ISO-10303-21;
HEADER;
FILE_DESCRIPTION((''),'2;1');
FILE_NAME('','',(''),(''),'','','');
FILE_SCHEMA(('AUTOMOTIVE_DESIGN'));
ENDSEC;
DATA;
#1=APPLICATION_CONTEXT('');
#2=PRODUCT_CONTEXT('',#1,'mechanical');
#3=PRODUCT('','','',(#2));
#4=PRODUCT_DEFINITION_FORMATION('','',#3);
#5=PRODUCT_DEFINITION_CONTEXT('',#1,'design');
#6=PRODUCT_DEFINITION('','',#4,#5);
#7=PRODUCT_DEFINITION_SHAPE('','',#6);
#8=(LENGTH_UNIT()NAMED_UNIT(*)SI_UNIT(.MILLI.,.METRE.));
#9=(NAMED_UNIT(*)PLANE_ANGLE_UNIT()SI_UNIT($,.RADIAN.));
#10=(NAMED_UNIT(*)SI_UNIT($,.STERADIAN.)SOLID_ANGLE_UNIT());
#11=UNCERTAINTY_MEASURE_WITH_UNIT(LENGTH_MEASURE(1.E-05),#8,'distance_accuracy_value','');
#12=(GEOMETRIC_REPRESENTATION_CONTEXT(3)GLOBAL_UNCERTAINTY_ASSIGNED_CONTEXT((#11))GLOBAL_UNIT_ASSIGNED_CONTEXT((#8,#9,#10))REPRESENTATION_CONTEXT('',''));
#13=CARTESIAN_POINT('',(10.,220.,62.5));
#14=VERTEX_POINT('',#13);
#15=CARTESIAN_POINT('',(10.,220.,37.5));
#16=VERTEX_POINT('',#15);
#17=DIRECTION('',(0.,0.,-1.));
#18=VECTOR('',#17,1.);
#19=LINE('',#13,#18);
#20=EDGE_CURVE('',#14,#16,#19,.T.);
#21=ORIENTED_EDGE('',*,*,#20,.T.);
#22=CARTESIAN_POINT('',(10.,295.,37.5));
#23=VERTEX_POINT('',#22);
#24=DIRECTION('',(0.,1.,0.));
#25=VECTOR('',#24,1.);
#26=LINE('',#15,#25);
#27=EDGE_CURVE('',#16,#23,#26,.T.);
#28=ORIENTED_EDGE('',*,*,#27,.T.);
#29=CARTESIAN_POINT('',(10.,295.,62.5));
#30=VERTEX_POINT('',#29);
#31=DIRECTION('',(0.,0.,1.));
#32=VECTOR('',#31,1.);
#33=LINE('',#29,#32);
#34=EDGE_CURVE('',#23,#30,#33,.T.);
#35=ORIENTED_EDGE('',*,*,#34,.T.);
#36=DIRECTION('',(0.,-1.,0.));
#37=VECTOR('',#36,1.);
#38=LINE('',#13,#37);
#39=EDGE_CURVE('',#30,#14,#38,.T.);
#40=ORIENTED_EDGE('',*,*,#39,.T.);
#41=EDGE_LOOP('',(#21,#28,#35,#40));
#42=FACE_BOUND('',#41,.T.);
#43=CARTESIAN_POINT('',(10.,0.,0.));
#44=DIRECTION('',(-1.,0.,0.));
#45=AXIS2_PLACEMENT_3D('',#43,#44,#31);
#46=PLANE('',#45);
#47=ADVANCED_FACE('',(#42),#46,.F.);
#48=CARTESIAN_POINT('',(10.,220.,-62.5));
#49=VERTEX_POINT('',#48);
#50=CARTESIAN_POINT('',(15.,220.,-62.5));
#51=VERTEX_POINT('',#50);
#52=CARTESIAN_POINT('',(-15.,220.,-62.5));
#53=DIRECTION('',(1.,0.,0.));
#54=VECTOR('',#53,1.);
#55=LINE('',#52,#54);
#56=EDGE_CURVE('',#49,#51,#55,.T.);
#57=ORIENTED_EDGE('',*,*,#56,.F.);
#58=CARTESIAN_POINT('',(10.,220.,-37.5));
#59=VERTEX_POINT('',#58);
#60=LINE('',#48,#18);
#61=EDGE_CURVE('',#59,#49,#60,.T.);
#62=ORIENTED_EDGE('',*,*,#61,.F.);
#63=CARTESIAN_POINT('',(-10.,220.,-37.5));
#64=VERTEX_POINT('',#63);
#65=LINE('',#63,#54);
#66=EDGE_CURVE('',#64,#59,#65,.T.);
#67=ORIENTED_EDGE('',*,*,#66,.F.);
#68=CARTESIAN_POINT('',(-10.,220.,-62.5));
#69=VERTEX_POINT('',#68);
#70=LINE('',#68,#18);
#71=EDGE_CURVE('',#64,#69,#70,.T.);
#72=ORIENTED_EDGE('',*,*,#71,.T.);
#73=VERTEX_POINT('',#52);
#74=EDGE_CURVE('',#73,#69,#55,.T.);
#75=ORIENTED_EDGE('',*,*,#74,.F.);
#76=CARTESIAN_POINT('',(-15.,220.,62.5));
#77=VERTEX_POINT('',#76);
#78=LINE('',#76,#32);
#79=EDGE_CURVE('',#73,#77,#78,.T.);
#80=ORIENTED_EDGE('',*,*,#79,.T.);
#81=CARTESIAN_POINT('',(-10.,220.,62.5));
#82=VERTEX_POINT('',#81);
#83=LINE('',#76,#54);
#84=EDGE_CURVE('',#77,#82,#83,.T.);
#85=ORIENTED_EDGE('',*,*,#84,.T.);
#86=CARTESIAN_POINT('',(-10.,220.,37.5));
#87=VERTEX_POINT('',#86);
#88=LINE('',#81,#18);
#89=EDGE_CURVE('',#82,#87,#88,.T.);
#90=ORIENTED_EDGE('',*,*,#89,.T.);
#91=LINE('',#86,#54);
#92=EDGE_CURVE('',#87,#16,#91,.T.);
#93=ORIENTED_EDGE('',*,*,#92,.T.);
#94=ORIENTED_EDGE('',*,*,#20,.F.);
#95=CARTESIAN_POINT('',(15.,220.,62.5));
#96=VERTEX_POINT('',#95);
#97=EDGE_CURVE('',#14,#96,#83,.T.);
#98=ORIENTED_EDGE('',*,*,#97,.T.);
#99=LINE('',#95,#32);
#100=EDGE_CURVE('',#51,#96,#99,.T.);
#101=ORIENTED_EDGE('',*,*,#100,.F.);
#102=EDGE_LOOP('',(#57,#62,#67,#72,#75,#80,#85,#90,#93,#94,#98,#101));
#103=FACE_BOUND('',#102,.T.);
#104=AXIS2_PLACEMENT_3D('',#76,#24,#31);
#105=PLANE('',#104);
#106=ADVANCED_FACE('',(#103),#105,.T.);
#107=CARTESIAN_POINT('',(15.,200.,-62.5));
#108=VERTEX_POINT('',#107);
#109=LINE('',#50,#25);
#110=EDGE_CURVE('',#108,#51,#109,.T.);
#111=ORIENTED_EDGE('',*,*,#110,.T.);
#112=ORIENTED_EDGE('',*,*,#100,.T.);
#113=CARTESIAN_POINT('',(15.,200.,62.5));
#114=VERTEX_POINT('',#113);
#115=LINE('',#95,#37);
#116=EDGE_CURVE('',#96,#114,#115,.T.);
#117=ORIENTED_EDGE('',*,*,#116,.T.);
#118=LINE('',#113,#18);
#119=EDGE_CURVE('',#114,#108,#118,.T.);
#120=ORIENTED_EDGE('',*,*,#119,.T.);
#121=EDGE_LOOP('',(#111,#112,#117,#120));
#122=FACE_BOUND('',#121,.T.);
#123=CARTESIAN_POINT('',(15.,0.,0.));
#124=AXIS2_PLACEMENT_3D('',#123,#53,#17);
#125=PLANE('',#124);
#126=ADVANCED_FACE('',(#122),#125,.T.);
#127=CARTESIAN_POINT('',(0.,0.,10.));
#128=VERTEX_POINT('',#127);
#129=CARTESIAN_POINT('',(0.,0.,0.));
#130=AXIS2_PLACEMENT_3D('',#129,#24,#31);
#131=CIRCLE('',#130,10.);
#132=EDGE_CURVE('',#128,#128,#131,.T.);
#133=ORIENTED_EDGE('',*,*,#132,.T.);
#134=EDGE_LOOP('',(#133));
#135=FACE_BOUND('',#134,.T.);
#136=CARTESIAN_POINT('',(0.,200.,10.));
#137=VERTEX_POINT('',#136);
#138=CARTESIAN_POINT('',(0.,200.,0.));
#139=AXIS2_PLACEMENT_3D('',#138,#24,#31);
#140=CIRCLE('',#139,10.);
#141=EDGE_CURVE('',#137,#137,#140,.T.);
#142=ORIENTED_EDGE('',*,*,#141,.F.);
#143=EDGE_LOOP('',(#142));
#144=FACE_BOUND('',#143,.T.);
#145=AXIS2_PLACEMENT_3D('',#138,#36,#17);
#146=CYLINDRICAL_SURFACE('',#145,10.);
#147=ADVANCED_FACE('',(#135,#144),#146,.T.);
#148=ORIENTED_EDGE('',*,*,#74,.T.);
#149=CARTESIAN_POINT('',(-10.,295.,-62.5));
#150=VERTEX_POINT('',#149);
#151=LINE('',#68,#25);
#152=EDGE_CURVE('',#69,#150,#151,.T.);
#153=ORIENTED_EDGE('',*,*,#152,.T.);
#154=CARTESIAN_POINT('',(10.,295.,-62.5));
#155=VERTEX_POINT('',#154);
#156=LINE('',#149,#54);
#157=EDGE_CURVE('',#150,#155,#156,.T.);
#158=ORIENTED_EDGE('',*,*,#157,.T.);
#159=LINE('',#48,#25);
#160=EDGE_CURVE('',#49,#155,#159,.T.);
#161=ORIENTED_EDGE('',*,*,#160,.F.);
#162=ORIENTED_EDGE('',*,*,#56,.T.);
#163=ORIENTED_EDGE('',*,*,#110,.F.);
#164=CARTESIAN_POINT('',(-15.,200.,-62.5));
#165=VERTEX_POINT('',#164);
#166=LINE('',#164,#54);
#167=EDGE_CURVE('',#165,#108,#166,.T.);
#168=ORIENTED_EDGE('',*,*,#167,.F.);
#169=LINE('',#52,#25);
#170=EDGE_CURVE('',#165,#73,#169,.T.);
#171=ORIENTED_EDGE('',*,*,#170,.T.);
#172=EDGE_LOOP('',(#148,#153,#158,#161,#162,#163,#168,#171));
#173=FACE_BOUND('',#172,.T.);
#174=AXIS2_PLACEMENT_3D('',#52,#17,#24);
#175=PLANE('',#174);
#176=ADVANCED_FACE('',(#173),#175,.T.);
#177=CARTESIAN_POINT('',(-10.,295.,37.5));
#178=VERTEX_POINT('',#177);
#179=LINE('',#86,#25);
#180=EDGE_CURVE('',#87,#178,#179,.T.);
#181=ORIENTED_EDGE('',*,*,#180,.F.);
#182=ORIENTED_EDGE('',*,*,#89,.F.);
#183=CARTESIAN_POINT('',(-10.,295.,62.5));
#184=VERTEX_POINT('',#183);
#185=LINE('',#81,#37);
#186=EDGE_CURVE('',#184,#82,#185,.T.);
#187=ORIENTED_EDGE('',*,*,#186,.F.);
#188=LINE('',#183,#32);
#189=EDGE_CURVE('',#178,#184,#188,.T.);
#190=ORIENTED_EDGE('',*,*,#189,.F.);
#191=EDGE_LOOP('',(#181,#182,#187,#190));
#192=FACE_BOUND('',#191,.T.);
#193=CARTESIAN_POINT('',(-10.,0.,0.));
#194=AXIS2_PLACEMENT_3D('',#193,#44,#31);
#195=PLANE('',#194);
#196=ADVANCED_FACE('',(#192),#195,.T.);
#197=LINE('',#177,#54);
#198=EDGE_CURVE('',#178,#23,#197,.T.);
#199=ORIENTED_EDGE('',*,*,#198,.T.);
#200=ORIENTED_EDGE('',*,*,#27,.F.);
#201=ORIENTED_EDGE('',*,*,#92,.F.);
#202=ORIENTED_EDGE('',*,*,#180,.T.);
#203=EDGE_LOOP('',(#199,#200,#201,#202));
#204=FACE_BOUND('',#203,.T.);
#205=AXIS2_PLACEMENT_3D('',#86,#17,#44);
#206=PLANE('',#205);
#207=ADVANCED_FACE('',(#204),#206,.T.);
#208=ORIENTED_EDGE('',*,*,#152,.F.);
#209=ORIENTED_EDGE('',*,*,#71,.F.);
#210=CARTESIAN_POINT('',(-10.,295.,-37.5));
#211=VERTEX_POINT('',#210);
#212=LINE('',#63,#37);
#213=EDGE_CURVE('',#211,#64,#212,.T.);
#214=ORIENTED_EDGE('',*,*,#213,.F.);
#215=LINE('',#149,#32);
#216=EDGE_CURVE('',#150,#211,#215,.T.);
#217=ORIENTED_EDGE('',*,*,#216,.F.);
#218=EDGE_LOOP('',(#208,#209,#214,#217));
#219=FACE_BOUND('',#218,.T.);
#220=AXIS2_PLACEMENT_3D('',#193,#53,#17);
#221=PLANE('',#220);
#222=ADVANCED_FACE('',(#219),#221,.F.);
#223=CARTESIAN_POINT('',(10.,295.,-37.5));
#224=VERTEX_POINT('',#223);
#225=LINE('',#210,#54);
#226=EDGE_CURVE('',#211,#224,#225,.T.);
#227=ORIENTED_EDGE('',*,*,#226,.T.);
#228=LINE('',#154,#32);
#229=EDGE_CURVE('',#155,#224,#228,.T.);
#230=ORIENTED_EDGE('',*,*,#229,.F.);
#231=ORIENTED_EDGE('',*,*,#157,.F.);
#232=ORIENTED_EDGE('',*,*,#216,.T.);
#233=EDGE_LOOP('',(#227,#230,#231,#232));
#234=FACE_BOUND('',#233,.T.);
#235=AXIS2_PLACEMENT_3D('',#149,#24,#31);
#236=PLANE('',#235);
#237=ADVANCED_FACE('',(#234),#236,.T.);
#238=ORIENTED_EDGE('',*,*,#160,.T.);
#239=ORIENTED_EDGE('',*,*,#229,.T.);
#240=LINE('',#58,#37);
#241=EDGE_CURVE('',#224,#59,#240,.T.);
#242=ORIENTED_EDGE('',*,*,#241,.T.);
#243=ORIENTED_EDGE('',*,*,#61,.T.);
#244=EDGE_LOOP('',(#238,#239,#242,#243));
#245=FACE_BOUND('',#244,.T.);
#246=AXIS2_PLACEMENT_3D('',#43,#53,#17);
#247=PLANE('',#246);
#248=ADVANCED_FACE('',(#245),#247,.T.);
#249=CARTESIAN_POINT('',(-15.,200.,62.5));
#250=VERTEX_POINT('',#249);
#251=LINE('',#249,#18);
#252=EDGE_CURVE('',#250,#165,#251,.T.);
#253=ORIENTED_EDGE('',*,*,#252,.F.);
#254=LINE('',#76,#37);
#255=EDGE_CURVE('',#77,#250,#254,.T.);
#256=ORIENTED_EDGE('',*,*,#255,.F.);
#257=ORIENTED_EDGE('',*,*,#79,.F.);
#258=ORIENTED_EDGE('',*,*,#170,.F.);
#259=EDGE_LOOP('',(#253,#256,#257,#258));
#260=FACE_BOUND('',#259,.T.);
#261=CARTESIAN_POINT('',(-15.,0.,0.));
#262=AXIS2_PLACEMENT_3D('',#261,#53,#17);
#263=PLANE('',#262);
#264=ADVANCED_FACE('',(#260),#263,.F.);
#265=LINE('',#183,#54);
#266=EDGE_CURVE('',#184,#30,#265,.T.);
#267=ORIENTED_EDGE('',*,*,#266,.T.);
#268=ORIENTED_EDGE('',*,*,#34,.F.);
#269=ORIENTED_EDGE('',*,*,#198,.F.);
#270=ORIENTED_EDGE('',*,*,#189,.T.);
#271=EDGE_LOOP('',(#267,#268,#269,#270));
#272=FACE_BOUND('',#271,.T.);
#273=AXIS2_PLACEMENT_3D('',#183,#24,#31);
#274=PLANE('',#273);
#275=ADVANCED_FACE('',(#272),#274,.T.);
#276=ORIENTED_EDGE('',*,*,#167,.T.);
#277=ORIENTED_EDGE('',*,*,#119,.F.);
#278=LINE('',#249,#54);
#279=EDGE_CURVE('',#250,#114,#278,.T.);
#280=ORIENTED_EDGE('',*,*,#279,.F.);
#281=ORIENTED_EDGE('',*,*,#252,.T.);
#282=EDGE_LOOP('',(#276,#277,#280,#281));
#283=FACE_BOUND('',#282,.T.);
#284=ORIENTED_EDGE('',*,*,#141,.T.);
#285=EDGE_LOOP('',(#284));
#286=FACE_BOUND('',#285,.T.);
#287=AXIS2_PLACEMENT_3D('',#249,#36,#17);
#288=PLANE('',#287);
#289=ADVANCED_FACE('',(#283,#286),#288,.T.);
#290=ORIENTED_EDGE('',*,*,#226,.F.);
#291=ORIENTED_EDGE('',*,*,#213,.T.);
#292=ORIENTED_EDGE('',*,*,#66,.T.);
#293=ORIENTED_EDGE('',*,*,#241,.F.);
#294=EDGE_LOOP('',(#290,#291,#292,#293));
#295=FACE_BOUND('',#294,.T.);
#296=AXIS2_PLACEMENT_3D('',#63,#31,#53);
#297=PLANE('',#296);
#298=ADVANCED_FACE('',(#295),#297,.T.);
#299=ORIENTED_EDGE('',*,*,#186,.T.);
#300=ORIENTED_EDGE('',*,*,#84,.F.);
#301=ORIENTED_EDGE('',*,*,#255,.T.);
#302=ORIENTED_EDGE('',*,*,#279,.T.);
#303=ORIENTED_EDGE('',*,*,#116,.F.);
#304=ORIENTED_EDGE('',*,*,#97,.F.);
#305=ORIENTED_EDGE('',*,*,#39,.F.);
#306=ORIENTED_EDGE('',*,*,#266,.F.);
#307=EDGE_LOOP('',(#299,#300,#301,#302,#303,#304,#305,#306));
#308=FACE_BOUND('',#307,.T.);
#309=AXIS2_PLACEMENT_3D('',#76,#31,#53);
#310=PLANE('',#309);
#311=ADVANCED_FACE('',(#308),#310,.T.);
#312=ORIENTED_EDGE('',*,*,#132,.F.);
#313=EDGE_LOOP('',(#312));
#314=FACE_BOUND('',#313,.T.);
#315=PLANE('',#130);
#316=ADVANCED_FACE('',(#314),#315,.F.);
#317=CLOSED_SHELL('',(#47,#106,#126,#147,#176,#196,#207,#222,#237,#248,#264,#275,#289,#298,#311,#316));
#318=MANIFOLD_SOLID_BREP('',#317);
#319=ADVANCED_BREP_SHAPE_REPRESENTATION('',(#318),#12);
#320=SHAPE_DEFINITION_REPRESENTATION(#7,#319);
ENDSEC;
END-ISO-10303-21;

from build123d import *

# Parameters (mm, degrees)
SKETCH1_R                = 10
BOSS_EXTRUDE1_DEPTH      = 200
BOSS_EXTRUDE2_DEPTH      = 15
BOSS_EXTRUDE2_DEPTH_BACK = 15
SKETCH2_W                = 125
SKETCH2_H                = 20
BOSS_EXTRUDE3_DEPTH      = 10
BOSS_EXTRUDE3_DEPTH_BACK = 10
SKETCH3_W                = 25
SKETCH3_H                = 75


with BuildPart() as part:
    # Sketch1 → Boss-Extrude1 (new body)
    with BuildSketch(Plane(origin=(0, 0, 0), x_dir=(1, 0, 0), z_dir=(0, 1, 0))):
        Circle(SKETCH1_R)
    extrude(amount=BOSS_EXTRUDE1_DEPTH)

    # Sketch2 → Boss-Extrude2 (add, two sides: drawn at the far end of the back side and taken through both)
    with BuildSketch(Plane(origin=(0, 0, 0), x_dir=(0, 0, -1), z_dir=(1, 0, 0)).offset(-BOSS_EXTRUDE2_DEPTH_BACK)):
        with Locations((0, 210)):
            Rectangle(SKETCH2_W, SKETCH2_H)
    extrude(amount=BOSS_EXTRUDE2_DEPTH + BOSS_EXTRUDE2_DEPTH_BACK)

    # Sketch3 → Boss-Extrude3 (add, two sides: drawn at the far end of the back side and taken through both)
    with BuildSketch(Plane(origin=(0, 0, 0), x_dir=(0, 0, -1), z_dir=(1, 0, 0)).offset(-BOSS_EXTRUDE3_DEPTH_BACK)):
        with Locations((-50, 257.5)):
            Rectangle(SKETCH3_W, SKETCH3_H)
        with Locations((50, 257.5)):
            Rectangle(SKETCH3_W, SKETCH3_H)
    extrude(amount=BOSS_EXTRUDE3_DEPTH + BOSS_EXTRUDE3_DEPTH_BACK)


solid = part.part
